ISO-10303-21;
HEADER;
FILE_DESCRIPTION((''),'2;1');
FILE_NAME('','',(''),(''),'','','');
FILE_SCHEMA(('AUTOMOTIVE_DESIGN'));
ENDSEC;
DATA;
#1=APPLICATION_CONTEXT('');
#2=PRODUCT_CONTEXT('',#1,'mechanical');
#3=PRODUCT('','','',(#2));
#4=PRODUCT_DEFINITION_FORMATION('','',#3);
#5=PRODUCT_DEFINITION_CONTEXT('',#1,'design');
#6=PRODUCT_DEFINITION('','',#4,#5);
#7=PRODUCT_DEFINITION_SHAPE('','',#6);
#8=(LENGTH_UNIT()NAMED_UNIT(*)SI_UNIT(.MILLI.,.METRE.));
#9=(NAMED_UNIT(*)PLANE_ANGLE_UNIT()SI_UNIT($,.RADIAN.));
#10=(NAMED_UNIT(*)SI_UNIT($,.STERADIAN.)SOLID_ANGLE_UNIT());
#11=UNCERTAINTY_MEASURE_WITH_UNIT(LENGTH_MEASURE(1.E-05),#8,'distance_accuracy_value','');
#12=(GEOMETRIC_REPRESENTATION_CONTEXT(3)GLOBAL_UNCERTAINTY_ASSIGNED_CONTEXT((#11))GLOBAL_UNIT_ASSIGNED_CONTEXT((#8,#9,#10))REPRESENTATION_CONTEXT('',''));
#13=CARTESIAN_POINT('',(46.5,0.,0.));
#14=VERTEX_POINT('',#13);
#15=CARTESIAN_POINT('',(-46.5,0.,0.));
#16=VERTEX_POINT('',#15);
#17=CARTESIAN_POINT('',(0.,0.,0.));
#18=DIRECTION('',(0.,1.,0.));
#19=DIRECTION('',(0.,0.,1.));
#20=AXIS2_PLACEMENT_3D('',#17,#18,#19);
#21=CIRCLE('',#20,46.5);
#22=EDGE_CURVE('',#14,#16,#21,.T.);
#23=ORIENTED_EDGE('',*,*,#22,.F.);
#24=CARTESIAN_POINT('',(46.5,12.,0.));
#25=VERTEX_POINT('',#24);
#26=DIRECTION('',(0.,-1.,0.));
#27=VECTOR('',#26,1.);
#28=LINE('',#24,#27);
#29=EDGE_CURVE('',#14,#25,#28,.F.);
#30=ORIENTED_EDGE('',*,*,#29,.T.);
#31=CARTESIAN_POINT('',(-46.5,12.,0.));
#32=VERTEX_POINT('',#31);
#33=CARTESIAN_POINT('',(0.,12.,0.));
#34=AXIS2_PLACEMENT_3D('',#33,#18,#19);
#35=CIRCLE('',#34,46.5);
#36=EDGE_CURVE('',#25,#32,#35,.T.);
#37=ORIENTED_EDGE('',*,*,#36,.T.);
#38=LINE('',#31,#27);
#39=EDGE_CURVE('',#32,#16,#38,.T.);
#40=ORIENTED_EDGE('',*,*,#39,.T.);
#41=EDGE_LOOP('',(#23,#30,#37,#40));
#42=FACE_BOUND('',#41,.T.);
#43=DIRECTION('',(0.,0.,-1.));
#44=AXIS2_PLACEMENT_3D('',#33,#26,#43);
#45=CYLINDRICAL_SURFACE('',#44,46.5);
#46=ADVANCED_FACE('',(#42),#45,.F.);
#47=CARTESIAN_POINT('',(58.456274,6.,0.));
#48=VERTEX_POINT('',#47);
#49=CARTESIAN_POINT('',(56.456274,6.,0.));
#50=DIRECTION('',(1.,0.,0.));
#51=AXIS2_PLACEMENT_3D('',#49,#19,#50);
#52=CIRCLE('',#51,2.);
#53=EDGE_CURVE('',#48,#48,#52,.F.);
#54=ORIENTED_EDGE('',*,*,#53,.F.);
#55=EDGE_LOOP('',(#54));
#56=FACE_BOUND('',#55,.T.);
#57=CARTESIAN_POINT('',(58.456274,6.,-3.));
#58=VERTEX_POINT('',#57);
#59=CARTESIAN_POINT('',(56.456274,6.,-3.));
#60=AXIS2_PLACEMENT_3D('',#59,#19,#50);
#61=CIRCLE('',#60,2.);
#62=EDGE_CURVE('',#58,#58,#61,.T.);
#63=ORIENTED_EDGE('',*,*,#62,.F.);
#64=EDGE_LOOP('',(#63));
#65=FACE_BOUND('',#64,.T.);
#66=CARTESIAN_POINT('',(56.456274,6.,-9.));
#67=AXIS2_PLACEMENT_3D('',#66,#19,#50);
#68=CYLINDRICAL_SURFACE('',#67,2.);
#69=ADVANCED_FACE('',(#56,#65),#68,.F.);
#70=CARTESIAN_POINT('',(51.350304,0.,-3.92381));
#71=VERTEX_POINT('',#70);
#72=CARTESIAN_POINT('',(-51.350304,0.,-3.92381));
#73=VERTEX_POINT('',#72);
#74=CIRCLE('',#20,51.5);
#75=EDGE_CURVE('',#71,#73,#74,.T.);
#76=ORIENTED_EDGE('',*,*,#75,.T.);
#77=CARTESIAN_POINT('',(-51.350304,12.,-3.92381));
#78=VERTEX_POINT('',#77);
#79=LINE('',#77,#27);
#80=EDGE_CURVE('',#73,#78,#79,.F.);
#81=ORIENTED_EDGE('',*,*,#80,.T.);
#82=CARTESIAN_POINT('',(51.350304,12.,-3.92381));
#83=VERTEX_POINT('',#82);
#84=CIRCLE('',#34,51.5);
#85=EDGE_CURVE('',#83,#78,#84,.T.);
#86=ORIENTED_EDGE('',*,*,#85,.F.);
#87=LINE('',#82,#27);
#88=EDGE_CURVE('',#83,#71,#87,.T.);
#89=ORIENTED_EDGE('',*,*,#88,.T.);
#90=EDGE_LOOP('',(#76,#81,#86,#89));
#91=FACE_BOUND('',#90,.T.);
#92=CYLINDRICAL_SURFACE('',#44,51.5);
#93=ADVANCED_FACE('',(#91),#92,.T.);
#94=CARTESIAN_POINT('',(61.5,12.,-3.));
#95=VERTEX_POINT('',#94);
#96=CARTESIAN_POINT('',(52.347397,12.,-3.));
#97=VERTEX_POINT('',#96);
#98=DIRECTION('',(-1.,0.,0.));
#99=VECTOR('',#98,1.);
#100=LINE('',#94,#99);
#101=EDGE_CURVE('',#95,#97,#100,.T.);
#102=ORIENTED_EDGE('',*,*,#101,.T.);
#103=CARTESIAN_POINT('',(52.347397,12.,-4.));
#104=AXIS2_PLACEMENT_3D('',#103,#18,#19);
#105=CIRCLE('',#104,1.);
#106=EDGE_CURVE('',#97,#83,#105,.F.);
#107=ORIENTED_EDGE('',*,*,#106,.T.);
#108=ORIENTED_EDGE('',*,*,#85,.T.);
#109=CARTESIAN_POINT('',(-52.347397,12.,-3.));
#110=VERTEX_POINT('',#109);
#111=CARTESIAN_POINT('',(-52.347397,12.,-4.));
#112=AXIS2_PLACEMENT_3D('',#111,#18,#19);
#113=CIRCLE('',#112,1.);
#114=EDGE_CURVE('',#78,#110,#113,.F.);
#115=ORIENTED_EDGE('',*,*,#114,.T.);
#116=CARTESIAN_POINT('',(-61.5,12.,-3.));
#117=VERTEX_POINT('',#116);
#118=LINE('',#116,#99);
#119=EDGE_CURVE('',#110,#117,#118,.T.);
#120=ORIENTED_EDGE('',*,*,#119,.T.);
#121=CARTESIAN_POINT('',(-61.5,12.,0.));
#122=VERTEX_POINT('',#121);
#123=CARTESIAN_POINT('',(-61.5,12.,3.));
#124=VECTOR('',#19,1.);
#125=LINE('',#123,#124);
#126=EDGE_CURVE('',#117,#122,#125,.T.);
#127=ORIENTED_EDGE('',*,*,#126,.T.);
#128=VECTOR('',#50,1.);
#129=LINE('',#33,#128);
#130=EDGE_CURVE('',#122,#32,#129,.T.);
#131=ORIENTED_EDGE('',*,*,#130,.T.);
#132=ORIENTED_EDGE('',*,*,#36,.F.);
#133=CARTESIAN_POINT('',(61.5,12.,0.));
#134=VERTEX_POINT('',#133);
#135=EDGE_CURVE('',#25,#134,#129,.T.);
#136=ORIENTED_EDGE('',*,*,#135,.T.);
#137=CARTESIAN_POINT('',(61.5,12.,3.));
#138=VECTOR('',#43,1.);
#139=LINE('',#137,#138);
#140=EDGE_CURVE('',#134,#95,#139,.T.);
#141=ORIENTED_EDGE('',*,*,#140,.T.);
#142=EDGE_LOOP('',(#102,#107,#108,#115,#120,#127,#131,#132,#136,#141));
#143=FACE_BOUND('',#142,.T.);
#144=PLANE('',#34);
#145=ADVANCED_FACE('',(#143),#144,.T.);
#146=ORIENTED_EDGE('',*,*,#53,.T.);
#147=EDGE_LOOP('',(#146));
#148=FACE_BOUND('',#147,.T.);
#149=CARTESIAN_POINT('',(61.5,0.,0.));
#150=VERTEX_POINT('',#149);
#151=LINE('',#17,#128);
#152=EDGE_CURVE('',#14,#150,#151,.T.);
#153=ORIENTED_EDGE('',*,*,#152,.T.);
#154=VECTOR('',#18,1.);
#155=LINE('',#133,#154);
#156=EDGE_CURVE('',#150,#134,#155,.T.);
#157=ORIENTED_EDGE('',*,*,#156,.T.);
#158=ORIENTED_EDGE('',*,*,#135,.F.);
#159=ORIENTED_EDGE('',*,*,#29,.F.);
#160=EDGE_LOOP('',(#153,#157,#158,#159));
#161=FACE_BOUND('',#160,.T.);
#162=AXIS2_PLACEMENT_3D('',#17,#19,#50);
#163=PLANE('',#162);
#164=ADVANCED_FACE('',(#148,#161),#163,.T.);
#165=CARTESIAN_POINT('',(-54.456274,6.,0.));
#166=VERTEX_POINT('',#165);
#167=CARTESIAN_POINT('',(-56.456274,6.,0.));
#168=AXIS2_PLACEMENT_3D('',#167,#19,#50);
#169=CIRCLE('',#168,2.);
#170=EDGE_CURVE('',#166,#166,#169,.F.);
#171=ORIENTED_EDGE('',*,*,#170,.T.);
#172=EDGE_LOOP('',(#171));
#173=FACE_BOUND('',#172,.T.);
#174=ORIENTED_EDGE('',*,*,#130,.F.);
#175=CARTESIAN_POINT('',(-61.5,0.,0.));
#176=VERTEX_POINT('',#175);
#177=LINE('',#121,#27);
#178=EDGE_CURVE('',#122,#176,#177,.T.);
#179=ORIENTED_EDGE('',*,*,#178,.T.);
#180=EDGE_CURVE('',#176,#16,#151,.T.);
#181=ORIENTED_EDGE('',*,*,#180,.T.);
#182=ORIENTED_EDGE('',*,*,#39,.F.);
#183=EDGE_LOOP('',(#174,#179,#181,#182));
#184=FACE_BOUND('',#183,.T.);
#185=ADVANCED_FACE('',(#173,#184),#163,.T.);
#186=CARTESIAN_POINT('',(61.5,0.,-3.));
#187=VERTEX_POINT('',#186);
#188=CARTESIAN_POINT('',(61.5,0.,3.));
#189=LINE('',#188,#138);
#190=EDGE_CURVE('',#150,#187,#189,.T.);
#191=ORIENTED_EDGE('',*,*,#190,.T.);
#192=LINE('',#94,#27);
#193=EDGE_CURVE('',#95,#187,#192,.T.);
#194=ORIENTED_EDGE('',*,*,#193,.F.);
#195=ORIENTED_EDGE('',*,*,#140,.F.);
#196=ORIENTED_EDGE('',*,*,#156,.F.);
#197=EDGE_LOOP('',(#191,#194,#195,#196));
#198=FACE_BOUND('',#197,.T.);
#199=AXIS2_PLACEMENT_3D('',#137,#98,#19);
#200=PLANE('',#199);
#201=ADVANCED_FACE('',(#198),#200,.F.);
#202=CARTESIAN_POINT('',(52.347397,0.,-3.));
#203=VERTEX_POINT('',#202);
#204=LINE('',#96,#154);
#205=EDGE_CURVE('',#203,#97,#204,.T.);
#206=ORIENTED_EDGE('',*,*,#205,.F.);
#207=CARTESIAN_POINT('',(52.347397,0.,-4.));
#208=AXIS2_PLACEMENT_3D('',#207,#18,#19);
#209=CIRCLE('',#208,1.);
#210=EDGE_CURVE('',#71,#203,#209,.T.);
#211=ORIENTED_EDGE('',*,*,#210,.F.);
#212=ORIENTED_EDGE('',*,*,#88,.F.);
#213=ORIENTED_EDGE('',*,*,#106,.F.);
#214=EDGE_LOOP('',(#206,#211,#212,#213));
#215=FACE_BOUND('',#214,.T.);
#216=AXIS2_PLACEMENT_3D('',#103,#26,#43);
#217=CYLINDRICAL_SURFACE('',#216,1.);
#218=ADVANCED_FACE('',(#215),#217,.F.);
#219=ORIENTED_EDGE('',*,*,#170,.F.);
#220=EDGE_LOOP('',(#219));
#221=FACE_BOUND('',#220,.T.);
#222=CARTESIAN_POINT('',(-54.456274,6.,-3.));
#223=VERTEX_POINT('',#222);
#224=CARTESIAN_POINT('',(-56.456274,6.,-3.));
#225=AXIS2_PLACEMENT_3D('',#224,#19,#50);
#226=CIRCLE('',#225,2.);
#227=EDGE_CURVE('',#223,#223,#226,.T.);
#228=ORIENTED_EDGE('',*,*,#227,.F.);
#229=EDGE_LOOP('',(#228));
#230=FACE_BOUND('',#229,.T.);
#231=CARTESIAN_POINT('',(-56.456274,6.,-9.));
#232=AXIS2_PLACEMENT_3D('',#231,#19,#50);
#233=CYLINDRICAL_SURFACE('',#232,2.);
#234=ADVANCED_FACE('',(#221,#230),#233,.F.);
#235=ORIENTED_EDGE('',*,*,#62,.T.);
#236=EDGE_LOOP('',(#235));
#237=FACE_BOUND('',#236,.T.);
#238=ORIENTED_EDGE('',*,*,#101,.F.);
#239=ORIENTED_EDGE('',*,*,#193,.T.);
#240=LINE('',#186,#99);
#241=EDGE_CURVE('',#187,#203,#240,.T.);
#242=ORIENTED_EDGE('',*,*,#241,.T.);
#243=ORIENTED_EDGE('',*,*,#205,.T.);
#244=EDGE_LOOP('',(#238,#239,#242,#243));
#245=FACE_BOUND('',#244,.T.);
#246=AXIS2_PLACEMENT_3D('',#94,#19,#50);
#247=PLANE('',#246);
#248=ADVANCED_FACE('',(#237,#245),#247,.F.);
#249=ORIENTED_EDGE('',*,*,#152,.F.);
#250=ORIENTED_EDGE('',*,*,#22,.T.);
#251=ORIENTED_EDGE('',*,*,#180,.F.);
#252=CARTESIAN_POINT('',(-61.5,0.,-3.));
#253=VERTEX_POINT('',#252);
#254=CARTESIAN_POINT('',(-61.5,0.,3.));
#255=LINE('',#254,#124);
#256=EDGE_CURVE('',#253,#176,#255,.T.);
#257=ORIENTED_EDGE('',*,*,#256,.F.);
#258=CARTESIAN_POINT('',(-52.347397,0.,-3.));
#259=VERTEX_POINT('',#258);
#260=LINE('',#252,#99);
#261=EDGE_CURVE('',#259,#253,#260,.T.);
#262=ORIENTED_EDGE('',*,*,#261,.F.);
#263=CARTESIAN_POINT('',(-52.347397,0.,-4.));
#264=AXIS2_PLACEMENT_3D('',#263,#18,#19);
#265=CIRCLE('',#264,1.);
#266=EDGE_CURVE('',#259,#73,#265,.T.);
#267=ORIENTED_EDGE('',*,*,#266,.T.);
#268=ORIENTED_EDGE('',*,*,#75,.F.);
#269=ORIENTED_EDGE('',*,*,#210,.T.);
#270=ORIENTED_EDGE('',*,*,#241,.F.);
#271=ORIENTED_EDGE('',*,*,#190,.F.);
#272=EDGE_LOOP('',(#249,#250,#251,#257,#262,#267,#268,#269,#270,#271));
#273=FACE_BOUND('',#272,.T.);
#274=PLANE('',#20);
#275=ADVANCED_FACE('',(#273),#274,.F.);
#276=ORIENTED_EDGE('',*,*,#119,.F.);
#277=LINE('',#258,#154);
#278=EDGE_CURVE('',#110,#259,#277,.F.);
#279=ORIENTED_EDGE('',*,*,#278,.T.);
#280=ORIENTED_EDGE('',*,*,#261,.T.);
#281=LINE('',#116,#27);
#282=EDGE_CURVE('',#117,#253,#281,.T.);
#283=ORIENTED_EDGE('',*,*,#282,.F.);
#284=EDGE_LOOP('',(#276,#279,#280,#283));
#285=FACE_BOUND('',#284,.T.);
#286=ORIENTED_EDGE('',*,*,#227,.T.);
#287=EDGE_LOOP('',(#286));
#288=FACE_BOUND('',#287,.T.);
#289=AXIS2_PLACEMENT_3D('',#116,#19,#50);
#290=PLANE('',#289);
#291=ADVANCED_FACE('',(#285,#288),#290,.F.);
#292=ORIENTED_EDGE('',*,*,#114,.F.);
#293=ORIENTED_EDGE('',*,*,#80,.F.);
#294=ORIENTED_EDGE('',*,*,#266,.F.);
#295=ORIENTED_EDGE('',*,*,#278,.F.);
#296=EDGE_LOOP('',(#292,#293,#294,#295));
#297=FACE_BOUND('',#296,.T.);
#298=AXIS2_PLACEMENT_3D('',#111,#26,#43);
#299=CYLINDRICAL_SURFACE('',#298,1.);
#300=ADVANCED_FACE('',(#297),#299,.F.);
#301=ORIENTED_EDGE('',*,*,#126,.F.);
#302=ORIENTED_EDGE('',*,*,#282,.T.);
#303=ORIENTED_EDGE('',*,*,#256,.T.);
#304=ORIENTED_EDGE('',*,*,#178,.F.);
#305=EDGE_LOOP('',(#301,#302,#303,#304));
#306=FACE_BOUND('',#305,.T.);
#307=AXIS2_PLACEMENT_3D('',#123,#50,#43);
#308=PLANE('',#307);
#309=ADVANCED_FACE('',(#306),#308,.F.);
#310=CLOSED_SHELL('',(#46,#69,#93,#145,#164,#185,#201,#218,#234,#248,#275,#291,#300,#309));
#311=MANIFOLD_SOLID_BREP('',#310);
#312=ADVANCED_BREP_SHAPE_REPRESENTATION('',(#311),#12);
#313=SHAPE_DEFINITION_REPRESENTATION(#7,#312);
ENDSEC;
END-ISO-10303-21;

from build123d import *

# Parameters (mm, degrees)
SKETCH1_R           = 46.5
BOSS_EXTRUDE1_DEPTH = 12
SKETCH2_R           = 2
CUT_EXTRUDE1_DEPTH  = 12
SKETCH3_W           = 95
SKETCH3_H           = 5
BOSS_EXTRUDE2_DEPTH = 12
MOVE_FACE1_BY       = 3
MOVE_FACE2_BY       = 3
MOVE_FACE2_2_BY     = 3
SKETCH4_R           = 2
CUT_EXTRUDE2_DEPTH  = 114.80355882
CUT_EXTRUDE3_DEPTH  = 2
FILLET1_R           = 1
FILLET2_R           = 1


with BuildPart() as part:
    # Sketch1 → Boss-Extrude1 (new body)
    with BuildSketch(Plane(origin=(0, 0, 0), x_dir=(1, 0, 0), z_dir=(0, 1, 0))):
        with BuildLine():
            Line((61.5, -3), (61.5, 3))
            Line((61.5, 3), (51.412547107, 3))
            ThreePointArc((51.412547107, 3), (0, 51.5), (-51.412547107, 3))
            Line((-51.412547107, 3), (-61.5, 3))
            Line((-61.5, 3), (-61.5, -3))
            Line((-61.5, -3), (-51.412547107, -3))
            ThreePointArc((-51.412547107, -3), (0, -51.5), (51.412547107, -3))
            Line((51.412547107, -3), (61.5, -3))
        make_face()
        with Locations(Location((0, 0, 0), (0, 0, 270))):
            Circle(SKETCH1_R, mode=Mode.SUBTRACT)
    extrude(amount=BOSS_EXTRUDE1_DEPTH)

    # Sketch2 → Cut-Extrude1 (cut)
    with BuildSketch(Plane.XY.offset(3)):
        with Locations((56.456273553, 6)):
            Circle(SKETCH2_R)
        with Locations((-56.456273553, 6)):
            Circle(SKETCH2_R)
    extrude(amount=-CUT_EXTRUDE1_DEPTH, mode=Mode.SUBTRACT)


with BuildPart() as body_2:
    # Split1: the piece on the far side of the plane
    add(part.part)
    split(bisect_by=Plane.XY, keep=Keep.BOTTOM)

    # Fillet2
    fillet2_edges = [body_2.edges().sort_by_distance(p)[0] for p in [
        (51.412547107, 6, -3),
        (-51.412547107, 6, -3),
    ]]
    fillet(fillet2_edges, radius=FILLET2_R)


with BuildPart() as part_1:
    add(part.part)

    # Split1
    split(bisect_by=Plane.XY, keep=Keep.TOP)

    # Sketch3 → Boss-Extrude2 (add)
    with BuildSketch(Plane(origin=(0, 12, 0), x_dir=(1, 0, 0), z_dir=(0, 1, 0))):
        with Locations((0, -49)):
            Rectangle(SKETCH3_W, SKETCH3_H)
    extrude(amount=-BOSS_EXTRUDE2_DEPTH)

    # Move Face1: a face moved inward by 3.0
    extrude(part_1.faces().sort_by_distance((0, 6, 51.5))[0], amount=MOVE_FACE1_BY, dir=(0, 0, -1), mode=Mode.SUBTRACT)

    # Move Face2: a face moved outward by 3.0
    extrude(part_1.faces().sort_by_distance((34.817971811, 6, 46.5))[0], amount=MOVE_FACE2_BY, dir=(0, 0, -1))

    # Move Face2 2: a face moved outward by 3.0
    extrude(part_1.faces().sort_by_distance((-34.817971811, 6, 46.5))[0], amount=MOVE_FACE2_2_BY, dir=(0, 0, -1))

    # Sketch4 → Cut-Extrude2 (cut, through all)
    with BuildSketch(Plane(origin=(0, 0, 43.5), x_dir=(-1, 0, 0), z_dir=(0, 0, -1))):
        with Locations((44.5, 6)):
            Circle(SKETCH4_R)
    cut_extrude2 = extrude(amount=-CUT_EXTRUDE2_DEPTH, mode=Mode.SUBTRACT)

    # Sketch5 → Cut-Extrude3 (cut)
    with BuildSketch(Plane(origin=(0, 0, 43.5), x_dir=(-1, 0, 0), z_dir=(0, 0, -1))):
        with BuildLine():
            Line((47.5, 12), (42.69457877, 9.569377282))
            ThreePointArc((42.69457877, 9.569377282), (40.5, 6), (42.69457877, 2.430622718))
            Line((42.69457877, 2.430622718), (47.5, 0))
            Line((47.5, 0), (47.5, 12))
        make_face()
    cut_extrude3 = extrude(amount=-CUT_EXTRUDE3_DEPTH, mode=Mode.SUBTRACT)

    # Mirror1: Cut-Extrude2, Cut-Extrude3 across plane
    add(cut_extrude2.mirror(Plane(origin=(0, 0, 0), x_dir=(0, 0, 1), z_dir=(1, 0, 0))), mode=Mode.SUBTRACT)
    add(cut_extrude3.mirror(Plane(origin=(0, 0, 0), x_dir=(0, 0, 1), z_dir=(1, 0, 0))), mode=Mode.SUBTRACT)

    # Fillet1
    fillet1_edges = [part_1.edges().sort_by_distance(p)[0] for p in [
        (47.5, 0, 44.5),
        (47.5, 12, 44.5),
        (51.412547107, 6, 3),
        (-51.412547107, 6, 3),
        (27.568097504, 6, 43.5),
        (-47.5, 0, 44.5),
        (-27.568097504, 6, 43.5),
        (-47.5, 12, 44.5),
    ]]
    fillet(fillet1_edges, radius=FILLET1_R)


solid = body_2.part
